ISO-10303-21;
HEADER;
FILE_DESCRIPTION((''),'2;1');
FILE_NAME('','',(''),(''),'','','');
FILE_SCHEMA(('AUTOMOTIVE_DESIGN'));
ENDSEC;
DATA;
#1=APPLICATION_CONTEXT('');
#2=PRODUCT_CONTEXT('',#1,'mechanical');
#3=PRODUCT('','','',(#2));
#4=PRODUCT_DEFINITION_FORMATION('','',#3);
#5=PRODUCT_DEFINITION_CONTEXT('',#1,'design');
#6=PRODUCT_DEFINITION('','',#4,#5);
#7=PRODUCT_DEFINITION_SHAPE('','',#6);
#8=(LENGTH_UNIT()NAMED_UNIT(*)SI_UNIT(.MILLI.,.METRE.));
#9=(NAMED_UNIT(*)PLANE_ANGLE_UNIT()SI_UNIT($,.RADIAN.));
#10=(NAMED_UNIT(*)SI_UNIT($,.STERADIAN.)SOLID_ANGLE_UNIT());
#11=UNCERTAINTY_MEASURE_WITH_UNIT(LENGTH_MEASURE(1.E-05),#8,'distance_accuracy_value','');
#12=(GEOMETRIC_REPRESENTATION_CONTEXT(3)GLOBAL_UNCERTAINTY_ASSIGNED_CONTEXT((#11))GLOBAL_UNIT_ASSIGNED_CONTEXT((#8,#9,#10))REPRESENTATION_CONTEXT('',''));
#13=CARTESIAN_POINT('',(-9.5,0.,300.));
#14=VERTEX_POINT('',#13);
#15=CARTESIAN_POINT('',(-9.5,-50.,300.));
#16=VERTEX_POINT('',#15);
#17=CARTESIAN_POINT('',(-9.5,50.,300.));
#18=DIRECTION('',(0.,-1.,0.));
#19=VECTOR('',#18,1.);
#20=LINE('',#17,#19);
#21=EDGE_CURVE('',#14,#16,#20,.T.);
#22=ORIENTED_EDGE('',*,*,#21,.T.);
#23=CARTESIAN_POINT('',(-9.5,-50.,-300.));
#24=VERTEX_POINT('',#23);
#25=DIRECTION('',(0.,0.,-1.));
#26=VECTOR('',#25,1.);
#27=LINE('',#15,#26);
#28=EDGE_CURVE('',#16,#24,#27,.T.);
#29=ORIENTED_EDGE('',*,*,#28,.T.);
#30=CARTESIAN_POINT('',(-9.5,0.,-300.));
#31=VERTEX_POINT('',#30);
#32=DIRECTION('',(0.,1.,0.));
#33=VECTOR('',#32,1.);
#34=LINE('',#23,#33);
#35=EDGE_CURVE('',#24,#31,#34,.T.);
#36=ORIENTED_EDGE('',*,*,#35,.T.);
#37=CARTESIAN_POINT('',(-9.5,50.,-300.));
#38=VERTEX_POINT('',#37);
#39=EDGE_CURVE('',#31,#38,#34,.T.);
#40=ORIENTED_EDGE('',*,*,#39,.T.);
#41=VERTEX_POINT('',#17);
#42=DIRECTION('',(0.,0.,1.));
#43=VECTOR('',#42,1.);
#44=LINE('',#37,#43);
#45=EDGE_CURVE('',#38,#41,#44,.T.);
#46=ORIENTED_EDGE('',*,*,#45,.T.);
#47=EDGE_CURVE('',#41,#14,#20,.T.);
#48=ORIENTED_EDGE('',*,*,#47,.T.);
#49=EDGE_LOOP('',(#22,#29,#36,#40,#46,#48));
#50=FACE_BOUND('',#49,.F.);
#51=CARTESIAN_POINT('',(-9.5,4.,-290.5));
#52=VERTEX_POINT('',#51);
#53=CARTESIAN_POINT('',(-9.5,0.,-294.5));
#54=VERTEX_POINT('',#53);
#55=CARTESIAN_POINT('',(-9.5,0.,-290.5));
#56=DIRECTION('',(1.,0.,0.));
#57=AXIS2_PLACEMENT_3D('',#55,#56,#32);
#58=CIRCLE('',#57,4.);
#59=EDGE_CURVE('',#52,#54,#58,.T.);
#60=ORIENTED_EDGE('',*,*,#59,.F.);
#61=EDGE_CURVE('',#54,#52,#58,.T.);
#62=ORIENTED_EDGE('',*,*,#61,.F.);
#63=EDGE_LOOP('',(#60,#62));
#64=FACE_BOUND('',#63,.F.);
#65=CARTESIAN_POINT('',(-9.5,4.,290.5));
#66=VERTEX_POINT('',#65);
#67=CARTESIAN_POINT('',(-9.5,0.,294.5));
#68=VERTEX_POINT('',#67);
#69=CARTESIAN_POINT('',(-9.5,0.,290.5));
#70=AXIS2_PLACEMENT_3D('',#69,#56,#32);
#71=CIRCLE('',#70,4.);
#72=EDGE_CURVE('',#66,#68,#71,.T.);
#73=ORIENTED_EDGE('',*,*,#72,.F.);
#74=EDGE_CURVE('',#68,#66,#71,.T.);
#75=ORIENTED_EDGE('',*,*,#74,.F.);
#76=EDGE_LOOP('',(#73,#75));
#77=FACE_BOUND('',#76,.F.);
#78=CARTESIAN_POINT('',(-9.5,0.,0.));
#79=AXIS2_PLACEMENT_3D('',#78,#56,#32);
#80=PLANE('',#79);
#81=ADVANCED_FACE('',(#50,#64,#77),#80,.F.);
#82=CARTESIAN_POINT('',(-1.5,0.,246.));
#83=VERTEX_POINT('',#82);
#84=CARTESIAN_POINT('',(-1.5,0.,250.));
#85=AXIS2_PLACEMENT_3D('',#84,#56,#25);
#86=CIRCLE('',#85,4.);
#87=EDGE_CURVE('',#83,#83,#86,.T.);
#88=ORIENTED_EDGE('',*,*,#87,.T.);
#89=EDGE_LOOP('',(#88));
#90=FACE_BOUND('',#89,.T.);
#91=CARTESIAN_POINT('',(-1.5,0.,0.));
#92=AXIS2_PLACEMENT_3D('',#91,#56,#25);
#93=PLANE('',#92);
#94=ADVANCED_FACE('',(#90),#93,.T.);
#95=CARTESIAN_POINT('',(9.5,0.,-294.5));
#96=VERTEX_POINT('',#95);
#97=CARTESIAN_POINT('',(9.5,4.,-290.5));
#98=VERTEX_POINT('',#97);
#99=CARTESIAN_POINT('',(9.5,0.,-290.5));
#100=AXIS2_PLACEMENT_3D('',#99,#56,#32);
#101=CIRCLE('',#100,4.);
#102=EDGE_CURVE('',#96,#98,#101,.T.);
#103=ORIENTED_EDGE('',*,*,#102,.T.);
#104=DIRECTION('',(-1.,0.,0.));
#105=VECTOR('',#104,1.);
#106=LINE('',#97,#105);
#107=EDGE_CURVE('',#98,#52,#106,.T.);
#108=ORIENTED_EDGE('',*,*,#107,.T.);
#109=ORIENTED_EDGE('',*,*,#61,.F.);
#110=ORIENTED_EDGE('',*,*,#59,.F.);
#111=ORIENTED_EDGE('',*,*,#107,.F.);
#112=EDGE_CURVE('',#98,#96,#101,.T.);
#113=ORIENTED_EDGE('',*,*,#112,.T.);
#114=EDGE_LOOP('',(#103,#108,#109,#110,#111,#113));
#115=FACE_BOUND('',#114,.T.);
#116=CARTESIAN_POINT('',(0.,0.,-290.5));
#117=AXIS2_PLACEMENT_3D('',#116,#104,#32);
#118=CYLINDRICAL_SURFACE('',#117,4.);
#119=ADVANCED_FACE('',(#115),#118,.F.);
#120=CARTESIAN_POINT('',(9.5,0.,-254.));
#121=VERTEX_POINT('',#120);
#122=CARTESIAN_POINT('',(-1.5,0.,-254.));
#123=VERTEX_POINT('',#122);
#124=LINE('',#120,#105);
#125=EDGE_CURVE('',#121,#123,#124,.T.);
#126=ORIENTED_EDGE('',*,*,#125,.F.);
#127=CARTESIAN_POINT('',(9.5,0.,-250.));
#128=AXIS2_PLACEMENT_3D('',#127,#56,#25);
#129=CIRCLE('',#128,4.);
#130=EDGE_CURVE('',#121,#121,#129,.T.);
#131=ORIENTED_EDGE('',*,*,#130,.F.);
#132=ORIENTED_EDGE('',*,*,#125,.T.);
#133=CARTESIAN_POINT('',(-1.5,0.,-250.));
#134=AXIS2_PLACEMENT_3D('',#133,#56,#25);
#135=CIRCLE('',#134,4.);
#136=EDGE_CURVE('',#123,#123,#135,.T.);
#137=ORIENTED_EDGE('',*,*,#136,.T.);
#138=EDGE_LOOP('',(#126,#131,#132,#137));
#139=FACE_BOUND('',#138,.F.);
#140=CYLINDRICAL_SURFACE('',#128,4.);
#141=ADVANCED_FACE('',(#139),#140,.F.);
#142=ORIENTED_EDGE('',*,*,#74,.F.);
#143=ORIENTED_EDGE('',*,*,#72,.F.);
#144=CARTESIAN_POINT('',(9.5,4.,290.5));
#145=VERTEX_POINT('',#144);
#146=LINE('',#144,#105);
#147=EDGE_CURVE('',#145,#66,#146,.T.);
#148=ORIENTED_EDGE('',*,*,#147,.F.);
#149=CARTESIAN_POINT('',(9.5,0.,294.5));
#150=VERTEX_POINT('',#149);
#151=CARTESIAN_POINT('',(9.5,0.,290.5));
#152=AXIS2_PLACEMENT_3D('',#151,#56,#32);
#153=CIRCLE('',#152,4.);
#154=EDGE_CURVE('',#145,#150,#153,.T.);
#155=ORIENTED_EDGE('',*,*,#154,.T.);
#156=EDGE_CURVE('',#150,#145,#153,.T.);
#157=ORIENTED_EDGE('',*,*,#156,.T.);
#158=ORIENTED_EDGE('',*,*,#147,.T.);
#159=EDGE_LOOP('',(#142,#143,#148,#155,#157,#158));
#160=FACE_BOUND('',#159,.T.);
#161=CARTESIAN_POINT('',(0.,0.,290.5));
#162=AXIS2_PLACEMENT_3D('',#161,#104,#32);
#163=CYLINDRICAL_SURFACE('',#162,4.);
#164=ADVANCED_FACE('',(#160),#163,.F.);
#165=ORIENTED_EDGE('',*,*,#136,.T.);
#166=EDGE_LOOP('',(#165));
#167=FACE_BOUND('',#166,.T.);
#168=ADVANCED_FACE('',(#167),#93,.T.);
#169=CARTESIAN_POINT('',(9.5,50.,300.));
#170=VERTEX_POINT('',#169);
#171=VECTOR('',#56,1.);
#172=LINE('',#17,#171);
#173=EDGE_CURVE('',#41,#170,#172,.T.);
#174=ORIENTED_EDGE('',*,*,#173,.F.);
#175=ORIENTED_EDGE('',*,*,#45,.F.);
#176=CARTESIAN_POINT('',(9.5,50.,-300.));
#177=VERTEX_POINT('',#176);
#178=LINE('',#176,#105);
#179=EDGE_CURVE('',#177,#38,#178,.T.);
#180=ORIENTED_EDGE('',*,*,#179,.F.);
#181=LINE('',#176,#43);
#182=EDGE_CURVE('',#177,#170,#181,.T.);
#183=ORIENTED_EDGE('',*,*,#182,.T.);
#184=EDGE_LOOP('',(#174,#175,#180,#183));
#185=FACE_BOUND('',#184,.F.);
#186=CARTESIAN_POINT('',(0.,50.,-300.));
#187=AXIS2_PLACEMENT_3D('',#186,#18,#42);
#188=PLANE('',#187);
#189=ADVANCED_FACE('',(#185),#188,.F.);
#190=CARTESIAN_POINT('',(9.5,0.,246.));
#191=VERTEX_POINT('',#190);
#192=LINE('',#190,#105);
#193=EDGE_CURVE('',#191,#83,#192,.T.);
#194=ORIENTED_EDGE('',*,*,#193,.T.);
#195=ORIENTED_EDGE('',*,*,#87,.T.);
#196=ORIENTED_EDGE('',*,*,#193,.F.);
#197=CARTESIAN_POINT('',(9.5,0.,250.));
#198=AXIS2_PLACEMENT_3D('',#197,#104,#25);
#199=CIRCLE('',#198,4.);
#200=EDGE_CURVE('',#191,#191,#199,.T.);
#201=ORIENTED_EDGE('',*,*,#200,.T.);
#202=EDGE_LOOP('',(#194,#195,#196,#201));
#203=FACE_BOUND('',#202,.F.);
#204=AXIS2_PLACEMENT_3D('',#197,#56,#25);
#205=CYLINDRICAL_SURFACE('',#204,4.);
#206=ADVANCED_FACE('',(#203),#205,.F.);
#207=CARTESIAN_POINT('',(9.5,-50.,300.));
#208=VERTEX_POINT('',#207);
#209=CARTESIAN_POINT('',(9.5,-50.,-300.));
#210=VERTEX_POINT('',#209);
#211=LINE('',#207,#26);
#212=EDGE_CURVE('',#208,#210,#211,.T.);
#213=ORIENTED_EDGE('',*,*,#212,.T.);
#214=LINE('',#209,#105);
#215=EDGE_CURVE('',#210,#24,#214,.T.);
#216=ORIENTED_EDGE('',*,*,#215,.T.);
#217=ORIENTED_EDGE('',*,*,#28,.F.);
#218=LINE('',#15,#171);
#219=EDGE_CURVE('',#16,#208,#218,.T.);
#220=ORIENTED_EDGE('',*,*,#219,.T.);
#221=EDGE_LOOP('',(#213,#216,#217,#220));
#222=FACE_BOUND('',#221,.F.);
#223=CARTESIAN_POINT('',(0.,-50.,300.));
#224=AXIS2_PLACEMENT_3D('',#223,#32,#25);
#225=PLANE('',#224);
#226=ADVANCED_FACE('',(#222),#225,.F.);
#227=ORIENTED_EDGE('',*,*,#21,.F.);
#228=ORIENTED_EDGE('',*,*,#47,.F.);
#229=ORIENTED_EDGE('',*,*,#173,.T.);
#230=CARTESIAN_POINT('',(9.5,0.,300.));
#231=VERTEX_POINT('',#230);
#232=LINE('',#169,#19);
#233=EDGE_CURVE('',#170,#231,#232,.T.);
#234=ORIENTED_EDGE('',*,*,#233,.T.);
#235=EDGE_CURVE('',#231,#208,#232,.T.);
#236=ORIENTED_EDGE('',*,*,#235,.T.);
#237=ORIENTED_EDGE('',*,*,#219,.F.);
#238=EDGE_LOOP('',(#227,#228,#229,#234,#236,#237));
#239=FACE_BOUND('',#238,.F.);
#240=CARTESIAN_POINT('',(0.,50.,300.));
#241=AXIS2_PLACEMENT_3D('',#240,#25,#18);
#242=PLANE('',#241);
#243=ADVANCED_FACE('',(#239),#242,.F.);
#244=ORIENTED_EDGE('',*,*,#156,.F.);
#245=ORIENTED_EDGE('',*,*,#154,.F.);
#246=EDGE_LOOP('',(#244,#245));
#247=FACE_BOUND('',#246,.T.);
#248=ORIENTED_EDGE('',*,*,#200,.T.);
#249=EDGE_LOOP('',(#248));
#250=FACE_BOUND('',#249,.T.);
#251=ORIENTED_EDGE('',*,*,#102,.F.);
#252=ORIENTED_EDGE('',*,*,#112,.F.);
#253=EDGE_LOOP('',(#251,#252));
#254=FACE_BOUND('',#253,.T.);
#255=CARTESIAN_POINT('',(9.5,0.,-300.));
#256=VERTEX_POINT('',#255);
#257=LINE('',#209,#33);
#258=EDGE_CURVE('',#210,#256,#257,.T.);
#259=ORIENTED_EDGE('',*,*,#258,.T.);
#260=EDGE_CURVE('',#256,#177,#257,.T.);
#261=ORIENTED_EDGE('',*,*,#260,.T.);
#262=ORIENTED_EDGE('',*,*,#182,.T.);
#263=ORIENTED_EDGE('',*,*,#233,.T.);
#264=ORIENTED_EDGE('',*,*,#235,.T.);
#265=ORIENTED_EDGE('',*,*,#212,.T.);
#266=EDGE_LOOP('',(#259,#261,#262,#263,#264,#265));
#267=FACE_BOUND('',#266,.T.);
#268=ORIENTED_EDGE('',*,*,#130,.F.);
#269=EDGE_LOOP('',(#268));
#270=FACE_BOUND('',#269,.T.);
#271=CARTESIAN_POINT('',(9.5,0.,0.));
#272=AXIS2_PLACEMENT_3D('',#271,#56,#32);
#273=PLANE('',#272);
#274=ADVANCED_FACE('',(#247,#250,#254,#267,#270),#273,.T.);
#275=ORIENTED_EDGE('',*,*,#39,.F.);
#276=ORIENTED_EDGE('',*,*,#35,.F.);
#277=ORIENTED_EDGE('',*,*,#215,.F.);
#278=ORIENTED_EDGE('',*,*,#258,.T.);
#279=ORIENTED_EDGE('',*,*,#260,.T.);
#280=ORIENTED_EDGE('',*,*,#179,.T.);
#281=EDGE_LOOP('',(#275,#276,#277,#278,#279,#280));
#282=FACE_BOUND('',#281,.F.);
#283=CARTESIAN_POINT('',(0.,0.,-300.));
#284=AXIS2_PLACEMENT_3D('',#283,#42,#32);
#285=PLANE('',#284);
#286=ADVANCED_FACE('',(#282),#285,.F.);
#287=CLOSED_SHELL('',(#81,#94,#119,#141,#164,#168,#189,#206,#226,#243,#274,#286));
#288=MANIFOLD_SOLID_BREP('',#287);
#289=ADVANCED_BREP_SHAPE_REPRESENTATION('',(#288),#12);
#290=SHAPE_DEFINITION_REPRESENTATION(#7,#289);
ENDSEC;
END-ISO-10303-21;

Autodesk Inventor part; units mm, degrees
ref_plane "YZ Plane" through (0, 0, 0) normal (1, 0, 0) x (0, 1, 0)
ref_plane "XZ Plane" through (0, 0, 0) normal (0, 1, 0) x (-1, 0, 0)
ref_plane "XY Plane" through (0, 0, 0) normal (0, 0, 1) x (1, 0, 0)
sketch "Sketch1" plane through (0, 0, 0) normal (1, 0, 0) x (0, 1, 0)
  line L0 (50, 300) -> (-50, 300)
  line L1 (-50, 300) -> (-50, -300)
  line L2 (-50, -300) -> (50, -300)
  line L3 (50, -300) -> (50, 300)
  line L4 (50, 300) -> (-50, -300) construction
  line L5 (-50, 300) -> (50, -300) construction
  line L6 (0, 300) -> (0, 290.5)
  line L7 (0, -300) -> (0, -290.5)
  circle A0 centre (0, -290.5) radius 4
  circle A1 centre (0, 290.5) radius 4
  point P0 (0, 0)
  dimension "d0" = 100
  dimension "d1" = 600
  dimension "d2" = 9.5
  dimension "d3" = 9.5
  dimension "d4" = 8
  dimension "d5" = 8
extrude "Extrusion1" add sketch "Sketch1" along normal mid plane 19
sketch "Sketch2" plane through (9.5, 0, 0) normal (1, 0, 0) x (0, 0, -1)
  line L0 (-300, 50) -> (-300, -50) projected
  line L1 (-300, 0) -> (-250, 0)
  line L2 (300, -50) -> (300, 50) projected
  line L3 (300, 0) -> (250, 0)
  circle A0 centre (250, 0) radius 4
  circle A1 centre (-250, 0) radius 4
  point P0 (0, 0)
  dimension "d12" = 50
  dimension "d13" = 50
  dimension "d14" = 8
  dimension "d15" = 8
extrude "Extrusion2" cut sketch "Sketch2" against normal blind 11
properties part number "F"
